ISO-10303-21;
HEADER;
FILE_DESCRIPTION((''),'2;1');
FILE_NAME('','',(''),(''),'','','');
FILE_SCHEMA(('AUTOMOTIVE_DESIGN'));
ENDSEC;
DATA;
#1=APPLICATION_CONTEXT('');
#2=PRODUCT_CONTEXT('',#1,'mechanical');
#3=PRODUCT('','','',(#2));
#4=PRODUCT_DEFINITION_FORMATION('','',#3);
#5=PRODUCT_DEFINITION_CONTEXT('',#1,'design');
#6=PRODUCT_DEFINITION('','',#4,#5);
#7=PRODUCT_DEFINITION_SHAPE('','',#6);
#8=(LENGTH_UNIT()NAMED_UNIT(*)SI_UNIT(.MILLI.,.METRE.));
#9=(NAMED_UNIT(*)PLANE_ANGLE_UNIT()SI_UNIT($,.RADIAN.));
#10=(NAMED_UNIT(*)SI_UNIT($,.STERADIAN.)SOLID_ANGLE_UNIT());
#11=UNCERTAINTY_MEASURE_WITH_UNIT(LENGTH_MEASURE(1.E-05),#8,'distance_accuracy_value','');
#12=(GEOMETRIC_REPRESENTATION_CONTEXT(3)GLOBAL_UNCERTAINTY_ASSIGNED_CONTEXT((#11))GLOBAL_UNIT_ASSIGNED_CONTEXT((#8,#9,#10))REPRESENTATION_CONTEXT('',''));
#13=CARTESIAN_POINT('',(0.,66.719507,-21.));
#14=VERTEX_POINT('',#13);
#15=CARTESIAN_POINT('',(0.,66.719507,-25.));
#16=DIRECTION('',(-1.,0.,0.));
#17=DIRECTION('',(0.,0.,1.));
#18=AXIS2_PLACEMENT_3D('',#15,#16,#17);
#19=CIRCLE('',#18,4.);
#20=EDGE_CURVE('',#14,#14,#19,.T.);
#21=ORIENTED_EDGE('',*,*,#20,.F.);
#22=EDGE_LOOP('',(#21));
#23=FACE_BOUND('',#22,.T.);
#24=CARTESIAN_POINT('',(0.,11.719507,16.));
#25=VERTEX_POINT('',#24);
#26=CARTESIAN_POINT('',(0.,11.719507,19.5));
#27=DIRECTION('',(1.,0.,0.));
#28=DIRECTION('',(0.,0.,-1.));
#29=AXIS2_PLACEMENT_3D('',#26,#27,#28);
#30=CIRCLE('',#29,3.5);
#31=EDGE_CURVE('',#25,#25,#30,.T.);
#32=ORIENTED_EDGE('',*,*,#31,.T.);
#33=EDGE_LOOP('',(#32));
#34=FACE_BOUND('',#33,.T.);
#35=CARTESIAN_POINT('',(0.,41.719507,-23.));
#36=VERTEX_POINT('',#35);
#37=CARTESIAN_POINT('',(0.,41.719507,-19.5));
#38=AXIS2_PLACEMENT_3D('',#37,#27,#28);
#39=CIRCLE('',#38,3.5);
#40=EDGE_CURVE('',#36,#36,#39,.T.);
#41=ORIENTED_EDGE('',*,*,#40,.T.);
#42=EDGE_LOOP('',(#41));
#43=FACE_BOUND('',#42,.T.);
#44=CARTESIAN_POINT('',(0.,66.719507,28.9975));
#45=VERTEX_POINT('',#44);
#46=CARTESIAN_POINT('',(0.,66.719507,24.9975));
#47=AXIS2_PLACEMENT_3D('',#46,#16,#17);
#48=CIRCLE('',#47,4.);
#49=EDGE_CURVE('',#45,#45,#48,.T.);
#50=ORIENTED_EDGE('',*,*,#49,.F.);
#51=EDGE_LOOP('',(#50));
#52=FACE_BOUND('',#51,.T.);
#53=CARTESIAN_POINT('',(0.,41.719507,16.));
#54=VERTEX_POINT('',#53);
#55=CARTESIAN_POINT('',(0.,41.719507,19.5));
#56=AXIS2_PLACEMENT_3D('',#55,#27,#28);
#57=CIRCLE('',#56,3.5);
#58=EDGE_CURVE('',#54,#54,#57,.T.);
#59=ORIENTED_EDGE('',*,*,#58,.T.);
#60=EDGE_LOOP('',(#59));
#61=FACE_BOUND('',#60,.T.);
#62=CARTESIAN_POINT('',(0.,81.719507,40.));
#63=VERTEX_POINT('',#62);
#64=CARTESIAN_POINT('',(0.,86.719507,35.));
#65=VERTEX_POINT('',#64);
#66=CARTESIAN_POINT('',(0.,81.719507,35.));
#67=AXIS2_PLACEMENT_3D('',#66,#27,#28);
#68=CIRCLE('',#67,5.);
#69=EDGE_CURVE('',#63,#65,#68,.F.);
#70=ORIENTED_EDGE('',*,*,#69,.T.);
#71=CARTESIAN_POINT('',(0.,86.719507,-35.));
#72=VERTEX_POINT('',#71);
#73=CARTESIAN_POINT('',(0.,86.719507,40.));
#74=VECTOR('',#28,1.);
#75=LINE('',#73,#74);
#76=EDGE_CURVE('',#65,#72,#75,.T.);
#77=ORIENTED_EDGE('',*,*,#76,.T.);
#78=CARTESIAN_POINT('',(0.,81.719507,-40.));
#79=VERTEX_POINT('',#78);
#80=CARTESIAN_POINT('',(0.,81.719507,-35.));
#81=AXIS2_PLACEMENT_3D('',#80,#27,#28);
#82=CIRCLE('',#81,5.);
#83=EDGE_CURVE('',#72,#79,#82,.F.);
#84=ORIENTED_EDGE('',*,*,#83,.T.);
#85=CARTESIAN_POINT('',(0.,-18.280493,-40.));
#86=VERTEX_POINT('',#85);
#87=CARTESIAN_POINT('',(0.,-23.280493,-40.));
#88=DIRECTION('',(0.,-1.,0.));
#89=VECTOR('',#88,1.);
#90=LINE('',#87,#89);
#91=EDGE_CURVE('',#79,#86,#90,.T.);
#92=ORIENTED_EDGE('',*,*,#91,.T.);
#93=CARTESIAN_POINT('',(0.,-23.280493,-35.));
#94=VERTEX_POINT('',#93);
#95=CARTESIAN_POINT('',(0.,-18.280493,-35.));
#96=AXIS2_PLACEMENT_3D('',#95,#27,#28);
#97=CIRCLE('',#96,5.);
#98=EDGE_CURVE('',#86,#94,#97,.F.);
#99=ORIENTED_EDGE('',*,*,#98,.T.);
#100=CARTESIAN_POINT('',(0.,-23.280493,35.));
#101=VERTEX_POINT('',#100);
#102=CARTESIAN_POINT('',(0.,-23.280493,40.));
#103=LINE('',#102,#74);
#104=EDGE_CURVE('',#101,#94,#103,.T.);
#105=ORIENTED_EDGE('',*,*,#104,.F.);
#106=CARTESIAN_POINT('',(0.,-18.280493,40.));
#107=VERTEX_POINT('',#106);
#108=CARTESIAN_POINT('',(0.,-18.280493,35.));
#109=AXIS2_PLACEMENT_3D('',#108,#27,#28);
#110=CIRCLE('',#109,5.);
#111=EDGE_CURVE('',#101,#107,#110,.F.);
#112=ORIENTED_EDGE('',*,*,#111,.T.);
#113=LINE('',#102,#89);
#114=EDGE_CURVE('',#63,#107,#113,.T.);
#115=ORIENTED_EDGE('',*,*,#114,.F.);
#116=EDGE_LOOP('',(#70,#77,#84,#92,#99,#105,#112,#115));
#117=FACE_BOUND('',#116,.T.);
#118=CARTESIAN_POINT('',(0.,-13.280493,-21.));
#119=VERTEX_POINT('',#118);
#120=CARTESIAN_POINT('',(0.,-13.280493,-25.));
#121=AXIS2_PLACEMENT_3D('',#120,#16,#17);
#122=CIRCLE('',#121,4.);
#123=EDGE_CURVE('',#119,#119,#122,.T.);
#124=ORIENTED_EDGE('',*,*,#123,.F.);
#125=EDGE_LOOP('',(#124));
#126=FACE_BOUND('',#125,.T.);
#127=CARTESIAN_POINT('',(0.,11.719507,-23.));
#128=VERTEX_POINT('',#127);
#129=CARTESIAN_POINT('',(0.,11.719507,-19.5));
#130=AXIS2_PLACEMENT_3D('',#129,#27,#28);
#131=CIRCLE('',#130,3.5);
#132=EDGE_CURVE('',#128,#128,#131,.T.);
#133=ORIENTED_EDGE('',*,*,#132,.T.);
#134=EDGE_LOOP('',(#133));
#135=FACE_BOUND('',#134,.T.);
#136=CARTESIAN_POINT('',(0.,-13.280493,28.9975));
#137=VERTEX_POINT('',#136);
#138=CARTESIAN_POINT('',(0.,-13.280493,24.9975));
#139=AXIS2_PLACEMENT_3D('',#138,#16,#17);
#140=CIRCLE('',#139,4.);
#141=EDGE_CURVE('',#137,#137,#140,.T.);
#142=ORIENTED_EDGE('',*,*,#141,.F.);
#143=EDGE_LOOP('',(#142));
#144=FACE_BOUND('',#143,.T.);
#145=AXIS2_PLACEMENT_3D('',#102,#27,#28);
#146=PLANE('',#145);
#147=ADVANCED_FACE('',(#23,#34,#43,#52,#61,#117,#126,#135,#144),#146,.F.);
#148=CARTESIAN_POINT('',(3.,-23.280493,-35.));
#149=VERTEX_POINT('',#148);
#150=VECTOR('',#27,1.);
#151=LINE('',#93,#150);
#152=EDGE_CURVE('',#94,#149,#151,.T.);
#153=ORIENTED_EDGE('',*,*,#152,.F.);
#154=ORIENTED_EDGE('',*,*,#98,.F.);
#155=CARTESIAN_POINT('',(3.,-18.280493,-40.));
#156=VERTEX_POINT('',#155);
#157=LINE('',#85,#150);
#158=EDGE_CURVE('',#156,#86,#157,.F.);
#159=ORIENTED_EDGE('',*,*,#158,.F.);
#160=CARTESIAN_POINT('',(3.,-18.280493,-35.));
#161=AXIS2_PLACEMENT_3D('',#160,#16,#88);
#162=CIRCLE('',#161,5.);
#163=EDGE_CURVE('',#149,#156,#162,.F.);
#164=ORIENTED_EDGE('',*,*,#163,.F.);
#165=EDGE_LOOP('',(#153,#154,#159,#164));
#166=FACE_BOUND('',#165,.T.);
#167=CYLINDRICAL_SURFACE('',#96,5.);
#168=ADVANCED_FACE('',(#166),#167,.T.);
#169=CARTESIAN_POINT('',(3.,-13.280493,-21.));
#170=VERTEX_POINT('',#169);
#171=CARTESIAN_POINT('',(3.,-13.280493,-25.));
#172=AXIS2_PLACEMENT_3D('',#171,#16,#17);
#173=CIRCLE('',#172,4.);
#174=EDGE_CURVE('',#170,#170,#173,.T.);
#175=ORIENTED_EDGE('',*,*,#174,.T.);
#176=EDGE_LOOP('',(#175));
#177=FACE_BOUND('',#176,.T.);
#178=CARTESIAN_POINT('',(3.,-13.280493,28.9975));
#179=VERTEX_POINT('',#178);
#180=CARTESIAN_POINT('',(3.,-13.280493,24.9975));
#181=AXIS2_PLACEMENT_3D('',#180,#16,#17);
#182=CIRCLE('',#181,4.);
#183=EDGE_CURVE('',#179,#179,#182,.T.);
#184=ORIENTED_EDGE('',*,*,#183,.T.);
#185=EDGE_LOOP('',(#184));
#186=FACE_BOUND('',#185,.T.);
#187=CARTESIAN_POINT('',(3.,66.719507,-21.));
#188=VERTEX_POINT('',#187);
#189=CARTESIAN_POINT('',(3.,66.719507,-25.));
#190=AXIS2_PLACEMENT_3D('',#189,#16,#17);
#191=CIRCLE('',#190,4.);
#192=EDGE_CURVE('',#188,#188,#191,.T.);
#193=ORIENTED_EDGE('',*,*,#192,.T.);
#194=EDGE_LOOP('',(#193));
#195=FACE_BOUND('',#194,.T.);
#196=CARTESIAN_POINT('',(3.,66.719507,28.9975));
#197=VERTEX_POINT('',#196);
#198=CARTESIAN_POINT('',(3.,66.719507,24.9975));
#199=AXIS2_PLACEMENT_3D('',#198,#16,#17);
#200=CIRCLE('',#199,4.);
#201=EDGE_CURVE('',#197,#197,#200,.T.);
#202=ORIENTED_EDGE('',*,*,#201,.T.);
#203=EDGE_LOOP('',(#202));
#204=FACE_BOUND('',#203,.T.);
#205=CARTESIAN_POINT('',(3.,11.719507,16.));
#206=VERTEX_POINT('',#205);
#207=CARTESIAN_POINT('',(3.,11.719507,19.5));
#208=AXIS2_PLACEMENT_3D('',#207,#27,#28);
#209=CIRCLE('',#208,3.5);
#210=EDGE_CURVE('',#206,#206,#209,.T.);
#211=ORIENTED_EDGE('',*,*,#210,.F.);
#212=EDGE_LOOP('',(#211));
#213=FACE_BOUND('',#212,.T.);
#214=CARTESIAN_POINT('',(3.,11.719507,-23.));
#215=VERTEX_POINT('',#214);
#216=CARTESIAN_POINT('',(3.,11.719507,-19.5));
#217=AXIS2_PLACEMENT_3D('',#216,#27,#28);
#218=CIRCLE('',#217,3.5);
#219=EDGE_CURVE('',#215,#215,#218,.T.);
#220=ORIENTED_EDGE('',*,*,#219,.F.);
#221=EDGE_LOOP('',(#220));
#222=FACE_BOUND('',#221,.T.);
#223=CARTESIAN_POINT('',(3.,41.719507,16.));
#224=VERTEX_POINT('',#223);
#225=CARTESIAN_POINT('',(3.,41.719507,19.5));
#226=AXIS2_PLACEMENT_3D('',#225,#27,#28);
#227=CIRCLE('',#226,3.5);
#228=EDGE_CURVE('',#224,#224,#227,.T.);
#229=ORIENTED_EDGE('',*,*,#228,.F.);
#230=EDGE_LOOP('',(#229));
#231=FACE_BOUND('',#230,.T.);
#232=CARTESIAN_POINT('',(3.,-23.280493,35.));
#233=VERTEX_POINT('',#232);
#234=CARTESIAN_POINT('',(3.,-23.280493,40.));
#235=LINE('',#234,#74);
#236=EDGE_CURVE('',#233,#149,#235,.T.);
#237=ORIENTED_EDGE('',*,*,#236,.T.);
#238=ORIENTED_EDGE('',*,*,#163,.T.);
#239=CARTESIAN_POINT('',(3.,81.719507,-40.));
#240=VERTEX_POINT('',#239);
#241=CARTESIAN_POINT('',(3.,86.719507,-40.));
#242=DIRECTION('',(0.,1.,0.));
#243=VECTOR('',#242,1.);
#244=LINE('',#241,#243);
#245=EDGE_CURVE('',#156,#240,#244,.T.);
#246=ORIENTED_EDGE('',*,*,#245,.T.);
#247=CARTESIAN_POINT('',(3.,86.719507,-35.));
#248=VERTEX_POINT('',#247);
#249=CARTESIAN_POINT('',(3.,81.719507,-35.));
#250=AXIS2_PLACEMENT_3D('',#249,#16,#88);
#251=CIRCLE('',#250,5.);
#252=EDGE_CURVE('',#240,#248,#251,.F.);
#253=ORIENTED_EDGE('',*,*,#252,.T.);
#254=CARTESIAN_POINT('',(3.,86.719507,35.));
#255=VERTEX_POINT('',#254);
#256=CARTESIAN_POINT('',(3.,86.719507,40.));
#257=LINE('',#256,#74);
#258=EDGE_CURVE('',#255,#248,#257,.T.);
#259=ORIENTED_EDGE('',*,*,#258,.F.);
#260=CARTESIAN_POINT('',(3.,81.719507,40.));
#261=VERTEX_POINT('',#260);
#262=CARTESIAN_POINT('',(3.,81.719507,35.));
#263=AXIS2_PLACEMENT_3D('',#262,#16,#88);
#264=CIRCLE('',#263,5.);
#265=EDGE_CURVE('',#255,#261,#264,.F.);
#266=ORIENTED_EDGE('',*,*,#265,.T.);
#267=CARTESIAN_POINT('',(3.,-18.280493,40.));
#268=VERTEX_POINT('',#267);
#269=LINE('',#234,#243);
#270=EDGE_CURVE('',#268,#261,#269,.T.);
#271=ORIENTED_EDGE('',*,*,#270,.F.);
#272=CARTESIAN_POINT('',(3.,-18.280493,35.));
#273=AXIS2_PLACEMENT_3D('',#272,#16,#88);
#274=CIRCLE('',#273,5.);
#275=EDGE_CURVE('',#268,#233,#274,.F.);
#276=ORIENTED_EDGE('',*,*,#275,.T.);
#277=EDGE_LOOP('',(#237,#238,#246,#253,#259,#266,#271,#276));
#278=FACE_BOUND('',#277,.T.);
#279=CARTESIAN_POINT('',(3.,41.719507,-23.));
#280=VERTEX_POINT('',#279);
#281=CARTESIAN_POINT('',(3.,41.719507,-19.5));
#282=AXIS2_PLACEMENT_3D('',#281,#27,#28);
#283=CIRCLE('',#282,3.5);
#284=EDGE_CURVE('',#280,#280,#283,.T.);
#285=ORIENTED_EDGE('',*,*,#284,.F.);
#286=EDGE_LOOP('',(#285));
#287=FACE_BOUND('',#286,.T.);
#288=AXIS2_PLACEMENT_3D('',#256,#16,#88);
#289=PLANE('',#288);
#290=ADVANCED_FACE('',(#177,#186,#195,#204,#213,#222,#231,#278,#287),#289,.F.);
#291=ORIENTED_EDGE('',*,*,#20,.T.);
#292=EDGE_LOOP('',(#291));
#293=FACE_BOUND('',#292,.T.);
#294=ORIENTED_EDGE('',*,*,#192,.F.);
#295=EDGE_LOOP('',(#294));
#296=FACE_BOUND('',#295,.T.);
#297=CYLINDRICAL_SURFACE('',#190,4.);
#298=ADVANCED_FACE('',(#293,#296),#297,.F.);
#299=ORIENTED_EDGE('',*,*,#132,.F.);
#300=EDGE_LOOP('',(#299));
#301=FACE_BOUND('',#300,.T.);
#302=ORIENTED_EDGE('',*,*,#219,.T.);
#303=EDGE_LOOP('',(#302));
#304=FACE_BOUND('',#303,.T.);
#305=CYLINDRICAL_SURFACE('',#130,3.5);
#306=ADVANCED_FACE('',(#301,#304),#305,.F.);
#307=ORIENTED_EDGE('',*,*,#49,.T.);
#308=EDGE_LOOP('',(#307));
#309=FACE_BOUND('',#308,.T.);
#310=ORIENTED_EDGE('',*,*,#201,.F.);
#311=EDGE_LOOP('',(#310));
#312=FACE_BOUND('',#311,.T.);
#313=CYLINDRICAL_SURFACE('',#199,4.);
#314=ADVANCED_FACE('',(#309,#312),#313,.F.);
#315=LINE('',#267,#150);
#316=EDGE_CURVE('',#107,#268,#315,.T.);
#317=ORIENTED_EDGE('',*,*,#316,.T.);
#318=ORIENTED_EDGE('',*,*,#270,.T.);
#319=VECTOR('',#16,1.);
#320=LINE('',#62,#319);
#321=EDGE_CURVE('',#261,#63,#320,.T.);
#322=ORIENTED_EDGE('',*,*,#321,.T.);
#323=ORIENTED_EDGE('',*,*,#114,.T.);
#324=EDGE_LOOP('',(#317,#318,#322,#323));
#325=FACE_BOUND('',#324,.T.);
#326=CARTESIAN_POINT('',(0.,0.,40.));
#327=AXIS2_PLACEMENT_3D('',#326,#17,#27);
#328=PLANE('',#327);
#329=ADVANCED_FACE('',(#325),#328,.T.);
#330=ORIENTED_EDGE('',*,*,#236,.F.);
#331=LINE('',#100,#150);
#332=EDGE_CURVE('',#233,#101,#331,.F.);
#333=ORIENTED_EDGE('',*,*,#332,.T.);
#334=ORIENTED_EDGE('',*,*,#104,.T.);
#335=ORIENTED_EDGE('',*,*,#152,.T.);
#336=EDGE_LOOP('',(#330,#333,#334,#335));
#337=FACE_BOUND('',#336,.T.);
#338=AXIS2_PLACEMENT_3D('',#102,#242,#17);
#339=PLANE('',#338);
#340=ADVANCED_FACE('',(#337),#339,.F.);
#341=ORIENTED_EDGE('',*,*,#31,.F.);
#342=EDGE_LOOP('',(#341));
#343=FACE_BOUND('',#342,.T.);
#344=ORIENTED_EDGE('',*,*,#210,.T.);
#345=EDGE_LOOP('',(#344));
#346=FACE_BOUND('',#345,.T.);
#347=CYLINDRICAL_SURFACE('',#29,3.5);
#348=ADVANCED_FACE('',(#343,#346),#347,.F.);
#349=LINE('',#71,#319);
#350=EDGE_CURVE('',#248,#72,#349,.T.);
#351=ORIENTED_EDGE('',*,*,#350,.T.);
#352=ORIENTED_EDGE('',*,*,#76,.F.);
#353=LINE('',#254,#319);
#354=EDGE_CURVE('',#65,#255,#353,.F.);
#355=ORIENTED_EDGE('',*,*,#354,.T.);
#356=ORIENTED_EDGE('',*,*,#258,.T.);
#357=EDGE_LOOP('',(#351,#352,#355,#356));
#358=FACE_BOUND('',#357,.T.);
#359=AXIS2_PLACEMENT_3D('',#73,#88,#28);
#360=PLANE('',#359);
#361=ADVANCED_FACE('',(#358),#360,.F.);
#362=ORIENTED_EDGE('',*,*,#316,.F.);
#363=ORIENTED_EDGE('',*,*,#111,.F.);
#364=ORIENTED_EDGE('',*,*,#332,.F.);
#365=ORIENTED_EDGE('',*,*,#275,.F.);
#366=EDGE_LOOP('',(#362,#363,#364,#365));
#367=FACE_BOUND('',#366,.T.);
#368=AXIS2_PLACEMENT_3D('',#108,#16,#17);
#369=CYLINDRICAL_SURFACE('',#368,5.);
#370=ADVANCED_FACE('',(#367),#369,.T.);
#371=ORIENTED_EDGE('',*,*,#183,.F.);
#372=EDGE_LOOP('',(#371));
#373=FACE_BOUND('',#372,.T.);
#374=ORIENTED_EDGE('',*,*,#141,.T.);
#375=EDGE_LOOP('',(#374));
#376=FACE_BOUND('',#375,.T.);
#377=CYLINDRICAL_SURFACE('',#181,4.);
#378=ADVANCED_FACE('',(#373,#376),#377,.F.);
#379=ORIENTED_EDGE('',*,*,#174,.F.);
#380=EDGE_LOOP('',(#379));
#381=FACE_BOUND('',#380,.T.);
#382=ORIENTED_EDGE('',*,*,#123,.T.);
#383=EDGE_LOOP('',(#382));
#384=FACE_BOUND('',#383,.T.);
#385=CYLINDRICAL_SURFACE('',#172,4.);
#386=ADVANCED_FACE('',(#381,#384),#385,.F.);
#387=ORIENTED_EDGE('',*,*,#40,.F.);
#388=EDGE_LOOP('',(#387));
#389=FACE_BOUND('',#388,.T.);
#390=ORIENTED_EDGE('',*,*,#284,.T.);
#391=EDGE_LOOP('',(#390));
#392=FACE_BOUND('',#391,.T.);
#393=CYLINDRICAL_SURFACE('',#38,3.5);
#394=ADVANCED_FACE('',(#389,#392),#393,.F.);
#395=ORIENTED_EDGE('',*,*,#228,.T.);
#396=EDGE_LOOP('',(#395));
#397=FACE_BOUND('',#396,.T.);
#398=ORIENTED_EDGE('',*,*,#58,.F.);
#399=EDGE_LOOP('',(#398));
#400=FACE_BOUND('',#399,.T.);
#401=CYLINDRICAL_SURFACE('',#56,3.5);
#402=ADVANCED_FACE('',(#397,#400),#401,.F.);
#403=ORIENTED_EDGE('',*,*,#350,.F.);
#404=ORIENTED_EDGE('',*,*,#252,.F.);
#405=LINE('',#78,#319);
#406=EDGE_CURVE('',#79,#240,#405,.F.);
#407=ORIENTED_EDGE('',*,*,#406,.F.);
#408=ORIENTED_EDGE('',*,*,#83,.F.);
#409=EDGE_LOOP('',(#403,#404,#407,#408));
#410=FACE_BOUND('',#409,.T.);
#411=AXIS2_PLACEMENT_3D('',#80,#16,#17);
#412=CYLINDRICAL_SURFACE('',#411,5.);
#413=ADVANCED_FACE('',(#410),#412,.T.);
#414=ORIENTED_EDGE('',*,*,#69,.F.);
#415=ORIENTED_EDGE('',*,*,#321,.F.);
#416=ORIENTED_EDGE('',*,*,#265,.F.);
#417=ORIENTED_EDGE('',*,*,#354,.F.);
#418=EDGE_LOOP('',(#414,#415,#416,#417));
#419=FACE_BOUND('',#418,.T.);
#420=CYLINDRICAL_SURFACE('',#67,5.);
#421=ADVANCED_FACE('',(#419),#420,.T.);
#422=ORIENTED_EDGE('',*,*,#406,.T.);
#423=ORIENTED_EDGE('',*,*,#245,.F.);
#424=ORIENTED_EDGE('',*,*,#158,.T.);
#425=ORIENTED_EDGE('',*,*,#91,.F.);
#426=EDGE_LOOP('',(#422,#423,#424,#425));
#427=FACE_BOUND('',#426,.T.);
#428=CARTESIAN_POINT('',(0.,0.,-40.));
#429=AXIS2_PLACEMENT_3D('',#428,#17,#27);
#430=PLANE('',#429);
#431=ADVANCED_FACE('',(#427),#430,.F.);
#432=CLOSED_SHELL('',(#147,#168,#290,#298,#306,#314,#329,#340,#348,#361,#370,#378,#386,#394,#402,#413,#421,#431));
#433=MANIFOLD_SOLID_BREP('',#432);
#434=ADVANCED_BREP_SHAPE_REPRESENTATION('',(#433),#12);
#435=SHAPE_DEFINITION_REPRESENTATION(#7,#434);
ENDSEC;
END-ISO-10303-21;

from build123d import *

# Parameters (mm, degrees)
BOSS_EXTRUDE1_DEPTH = 40
SKETCH16_R          = 3.5
CUT_EXTRUDE5_DEPTH  = 96.547228328
SKETCH17_R          = 4
CUT_EXTRUDE7_DEPTH  = 96.547228328
FILLET1_R           = 5


with BuildPart() as part:
    # Sketch1 → Boss-Extrude1 (new, symmetric)
    with BuildSketch(Plane.XY):
        Polygon((0, -23.280493307), (0, 86.719506693), (3, 86.719506693), (3, 83.719506693), (3, -23.280493307), align=None)
    extrude(amount=BOSS_EXTRUDE1_DEPTH, both=True)

    # Sketch16 → Cut-Extrude5 (cut, through all)
    with BuildSketch(Plane(origin=(3, 0, 0), x_dir=(0, 0, -1), z_dir=(1, 0, 0))):
        with Locations((-19.5, 11.719506693)):
            Circle(SKETCH16_R)
        with Locations((19.5, 11.719506693)):
            Circle(SKETCH16_R)
        with Locations((19.5, 41.719506693)):
            Circle(SKETCH16_R)
        with Locations((-19.5, 41.719506693)):
            Circle(SKETCH16_R)
    extrude(amount=-CUT_EXTRUDE5_DEPTH, mode=Mode.SUBTRACT)

    # Sketch17 → Cut-Extrude7 (cut, through all)
    with BuildSketch(Plane.ZY):
        with Locations((-25, 66.719506693)):
            Circle(SKETCH17_R)
        with Locations((24.997500187, 66.719506693)):
            Circle(SKETCH17_R)
        with Locations((-25, -13.280493307)):
            Circle(SKETCH17_R)
        with Locations((24.997500187, -13.280493307)):
            Circle(SKETCH17_R)
    extrude(amount=-CUT_EXTRUDE7_DEPTH, mode=Mode.SUBTRACT)

    # Fillet1
    fillet1_edges = [part.edges().sort_by_distance(p)[0] for p in [
        (1.5, 86.719506693, 40),
        (1.5, -23.280493307, 40),
        (1.5, 86.719506693, -40),
        (1.5, -23.280493307, -40),
    ]]
    fillet(fillet1_edges, radius=FILLET1_R)


solid = part.part
